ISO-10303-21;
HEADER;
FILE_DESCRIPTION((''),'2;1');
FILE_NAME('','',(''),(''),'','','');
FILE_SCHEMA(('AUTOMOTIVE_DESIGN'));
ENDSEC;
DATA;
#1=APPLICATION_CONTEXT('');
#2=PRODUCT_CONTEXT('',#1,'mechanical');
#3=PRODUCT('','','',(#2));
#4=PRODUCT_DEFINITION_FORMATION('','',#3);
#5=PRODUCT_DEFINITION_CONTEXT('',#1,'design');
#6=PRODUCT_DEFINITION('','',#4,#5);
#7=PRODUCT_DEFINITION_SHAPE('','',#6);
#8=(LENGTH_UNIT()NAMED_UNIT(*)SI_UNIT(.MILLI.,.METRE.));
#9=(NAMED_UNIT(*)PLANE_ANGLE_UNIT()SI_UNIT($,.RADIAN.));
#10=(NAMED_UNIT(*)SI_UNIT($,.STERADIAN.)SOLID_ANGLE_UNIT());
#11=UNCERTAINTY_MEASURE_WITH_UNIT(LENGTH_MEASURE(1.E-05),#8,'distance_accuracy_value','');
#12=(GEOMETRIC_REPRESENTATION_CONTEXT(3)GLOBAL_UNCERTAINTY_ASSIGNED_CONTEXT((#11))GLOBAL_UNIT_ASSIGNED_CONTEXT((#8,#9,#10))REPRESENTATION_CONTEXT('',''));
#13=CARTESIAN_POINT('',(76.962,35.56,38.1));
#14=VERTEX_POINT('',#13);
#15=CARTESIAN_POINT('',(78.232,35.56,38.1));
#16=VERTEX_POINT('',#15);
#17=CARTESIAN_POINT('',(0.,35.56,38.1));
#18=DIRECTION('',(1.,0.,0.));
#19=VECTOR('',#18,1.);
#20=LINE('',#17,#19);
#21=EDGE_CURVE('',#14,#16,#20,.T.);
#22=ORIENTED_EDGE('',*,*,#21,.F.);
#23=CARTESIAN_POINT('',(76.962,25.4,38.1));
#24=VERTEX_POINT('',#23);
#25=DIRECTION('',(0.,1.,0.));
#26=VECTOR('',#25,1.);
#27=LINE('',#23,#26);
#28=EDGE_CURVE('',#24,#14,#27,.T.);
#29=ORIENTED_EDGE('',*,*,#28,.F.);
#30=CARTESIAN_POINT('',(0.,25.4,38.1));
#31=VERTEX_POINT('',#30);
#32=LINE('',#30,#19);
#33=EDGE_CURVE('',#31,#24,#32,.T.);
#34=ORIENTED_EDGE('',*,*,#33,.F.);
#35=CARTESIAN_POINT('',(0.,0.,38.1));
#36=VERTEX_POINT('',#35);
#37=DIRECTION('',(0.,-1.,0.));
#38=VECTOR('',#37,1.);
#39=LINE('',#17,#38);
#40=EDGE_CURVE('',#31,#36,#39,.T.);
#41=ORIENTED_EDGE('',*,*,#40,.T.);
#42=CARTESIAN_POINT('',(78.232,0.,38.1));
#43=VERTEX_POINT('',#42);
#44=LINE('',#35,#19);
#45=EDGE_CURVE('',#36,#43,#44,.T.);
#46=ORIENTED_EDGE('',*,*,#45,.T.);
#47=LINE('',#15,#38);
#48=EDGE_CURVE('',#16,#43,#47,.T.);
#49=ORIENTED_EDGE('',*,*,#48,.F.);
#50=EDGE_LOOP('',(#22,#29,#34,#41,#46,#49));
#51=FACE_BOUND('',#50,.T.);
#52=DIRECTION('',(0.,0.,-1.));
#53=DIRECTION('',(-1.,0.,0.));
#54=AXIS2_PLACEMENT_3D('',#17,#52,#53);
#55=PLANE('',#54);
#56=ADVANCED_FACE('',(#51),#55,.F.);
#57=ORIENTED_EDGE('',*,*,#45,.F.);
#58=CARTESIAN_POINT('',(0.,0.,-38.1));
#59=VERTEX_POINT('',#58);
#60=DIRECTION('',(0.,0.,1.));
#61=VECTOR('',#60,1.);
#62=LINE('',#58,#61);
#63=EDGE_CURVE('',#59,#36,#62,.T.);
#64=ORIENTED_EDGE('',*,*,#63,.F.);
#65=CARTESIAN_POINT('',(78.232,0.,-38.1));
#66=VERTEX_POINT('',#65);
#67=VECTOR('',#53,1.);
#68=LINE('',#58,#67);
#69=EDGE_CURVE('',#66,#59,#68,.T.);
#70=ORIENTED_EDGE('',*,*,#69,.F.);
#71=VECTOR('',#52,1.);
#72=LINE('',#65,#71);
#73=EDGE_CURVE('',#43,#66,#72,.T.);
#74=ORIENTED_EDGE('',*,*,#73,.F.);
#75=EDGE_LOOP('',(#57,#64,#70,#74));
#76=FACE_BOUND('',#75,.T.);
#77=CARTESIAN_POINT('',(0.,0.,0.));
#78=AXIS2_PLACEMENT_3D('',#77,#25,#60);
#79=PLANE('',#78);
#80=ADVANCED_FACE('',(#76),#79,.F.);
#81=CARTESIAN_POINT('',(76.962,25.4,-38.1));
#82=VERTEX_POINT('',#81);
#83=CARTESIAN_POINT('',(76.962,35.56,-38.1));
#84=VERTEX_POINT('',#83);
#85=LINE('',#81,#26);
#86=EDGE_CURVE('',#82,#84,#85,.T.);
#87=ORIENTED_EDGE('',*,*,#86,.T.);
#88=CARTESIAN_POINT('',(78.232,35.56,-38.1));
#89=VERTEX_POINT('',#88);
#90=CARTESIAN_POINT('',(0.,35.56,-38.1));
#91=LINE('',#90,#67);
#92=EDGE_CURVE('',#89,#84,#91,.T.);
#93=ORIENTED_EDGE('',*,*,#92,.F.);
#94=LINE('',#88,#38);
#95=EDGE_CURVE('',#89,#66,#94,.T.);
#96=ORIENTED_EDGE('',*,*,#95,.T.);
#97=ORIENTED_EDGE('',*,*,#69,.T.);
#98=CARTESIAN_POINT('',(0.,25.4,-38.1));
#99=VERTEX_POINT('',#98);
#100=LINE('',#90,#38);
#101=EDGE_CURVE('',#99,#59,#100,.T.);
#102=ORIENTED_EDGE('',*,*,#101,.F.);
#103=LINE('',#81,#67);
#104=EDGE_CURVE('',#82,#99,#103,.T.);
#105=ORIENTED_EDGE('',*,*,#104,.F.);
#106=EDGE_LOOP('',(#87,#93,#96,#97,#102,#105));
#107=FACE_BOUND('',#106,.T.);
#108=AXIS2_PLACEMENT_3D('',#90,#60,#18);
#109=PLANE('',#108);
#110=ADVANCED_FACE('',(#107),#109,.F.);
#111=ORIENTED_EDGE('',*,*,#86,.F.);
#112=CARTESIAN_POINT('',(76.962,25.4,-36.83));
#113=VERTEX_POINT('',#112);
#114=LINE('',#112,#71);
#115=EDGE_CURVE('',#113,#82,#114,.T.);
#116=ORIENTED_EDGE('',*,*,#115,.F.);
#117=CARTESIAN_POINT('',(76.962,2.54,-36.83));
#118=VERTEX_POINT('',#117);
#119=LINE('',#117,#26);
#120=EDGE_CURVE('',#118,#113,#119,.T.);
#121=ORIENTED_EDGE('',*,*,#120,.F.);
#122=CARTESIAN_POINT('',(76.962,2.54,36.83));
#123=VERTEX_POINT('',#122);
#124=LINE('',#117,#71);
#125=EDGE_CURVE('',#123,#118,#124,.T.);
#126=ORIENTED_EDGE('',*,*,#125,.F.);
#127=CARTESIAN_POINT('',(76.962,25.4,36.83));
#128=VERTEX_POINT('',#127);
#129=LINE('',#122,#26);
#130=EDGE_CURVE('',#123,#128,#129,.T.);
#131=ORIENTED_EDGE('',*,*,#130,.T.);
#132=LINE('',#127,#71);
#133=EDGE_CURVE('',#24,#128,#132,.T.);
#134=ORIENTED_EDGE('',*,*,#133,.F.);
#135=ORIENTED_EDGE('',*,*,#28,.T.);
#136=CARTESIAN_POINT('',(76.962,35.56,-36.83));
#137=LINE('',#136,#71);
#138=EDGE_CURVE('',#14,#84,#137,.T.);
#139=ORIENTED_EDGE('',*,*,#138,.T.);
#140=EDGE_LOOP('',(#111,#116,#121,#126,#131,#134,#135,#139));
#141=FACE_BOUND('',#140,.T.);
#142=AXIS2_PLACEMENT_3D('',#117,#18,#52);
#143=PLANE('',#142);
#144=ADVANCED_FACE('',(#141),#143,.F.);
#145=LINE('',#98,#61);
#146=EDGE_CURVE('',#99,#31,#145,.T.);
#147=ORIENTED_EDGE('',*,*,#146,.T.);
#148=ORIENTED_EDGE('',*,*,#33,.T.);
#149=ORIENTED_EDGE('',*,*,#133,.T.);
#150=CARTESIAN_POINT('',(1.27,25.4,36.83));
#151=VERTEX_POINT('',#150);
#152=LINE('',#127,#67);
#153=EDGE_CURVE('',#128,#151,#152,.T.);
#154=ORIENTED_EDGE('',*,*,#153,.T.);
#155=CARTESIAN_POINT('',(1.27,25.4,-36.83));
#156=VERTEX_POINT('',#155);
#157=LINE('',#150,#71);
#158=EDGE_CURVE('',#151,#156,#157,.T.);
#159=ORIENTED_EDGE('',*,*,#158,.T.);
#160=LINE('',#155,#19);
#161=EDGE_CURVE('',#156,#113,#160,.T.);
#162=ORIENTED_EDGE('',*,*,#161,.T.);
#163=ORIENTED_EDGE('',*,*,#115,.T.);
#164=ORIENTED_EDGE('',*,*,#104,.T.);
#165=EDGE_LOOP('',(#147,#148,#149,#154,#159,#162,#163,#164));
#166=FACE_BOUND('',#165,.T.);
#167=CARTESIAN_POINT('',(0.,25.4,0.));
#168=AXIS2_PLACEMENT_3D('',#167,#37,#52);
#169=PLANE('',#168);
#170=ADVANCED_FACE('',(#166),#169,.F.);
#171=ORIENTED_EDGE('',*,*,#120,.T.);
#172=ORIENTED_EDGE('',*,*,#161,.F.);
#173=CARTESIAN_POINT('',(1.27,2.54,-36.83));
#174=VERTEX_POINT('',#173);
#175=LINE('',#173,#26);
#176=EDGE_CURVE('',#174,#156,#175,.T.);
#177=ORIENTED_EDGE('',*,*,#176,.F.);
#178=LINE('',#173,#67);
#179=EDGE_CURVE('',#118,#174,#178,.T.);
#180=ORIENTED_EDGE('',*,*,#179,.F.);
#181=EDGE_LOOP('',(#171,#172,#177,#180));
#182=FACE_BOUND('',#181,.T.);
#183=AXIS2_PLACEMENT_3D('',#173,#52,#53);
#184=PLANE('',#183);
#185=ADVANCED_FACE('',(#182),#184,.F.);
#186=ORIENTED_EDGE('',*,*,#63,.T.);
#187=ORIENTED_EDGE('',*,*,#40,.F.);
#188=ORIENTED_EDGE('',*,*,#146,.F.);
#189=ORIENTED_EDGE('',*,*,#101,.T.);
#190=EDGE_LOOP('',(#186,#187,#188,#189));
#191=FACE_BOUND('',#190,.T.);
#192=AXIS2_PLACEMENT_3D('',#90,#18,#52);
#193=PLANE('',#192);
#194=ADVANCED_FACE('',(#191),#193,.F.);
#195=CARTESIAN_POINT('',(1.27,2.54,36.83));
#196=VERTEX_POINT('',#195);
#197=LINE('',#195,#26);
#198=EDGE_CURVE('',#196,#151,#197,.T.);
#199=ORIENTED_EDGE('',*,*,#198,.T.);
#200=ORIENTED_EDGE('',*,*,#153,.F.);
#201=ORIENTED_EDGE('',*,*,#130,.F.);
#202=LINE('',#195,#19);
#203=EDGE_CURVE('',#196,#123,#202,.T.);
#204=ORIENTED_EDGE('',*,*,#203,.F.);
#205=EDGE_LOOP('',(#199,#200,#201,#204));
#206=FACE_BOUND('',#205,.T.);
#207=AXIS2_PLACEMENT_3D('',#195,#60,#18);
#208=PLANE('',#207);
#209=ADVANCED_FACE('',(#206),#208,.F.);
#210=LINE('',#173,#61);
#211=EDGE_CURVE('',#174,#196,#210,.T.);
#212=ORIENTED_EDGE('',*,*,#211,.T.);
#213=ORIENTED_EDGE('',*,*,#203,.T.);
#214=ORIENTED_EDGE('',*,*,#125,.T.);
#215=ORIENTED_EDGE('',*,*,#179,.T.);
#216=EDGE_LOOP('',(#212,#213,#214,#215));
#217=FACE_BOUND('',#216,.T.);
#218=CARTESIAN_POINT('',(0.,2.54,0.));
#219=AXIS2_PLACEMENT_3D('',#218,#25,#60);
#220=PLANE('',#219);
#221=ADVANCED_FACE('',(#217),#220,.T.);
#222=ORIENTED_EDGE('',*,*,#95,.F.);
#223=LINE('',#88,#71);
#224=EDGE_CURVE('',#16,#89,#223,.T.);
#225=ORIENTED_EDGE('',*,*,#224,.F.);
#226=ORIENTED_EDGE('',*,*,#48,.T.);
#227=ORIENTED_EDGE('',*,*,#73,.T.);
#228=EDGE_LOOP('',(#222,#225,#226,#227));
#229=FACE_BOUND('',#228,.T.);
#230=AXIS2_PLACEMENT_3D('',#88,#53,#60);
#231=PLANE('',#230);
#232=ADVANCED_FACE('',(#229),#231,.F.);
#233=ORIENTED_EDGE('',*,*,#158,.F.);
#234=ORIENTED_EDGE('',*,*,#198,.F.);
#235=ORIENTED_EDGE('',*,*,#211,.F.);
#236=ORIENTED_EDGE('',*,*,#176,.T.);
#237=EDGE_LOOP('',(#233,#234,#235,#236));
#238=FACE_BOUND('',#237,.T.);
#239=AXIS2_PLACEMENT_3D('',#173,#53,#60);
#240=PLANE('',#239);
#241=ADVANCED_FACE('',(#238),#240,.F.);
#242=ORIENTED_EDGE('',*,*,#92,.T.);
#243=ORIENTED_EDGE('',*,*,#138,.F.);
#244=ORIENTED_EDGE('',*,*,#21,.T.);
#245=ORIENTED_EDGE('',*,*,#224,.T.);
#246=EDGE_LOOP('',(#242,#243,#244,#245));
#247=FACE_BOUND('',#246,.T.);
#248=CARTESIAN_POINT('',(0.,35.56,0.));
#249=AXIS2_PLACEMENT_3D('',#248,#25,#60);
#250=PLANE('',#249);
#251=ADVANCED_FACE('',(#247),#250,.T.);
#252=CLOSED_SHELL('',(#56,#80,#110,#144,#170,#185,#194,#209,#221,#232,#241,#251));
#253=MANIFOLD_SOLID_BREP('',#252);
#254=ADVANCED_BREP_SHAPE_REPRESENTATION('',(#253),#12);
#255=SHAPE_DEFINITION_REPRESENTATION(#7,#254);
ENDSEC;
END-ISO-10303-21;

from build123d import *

# Parameters (mm, degrees)
SKETCH1_W           = 78.232
SKETCH1_H           = 76.2
BOSS_EXTRUDE1_DEPTH = 35.56
SKETCH2_W           = 75.692
SKETCH2_H           = 73.66
CUT_EXTRUDE1_DEPTH  = 33.02
CUT_EXTRUDE3_DEPTH  = 10.16


with BuildPart() as part:
    # Sketch1 → Boss-Extrude1 (new body)
    with BuildSketch(Plane(origin=(0, 0, 0), x_dir=(1, 0, 0), z_dir=(0, 1, 0))):
        with Locations((39.116, 0)):
            Rectangle(SKETCH1_W, SKETCH1_H)
    extrude(amount=BOSS_EXTRUDE1_DEPTH)

    # Sketch2 → Cut-Extrude1 (cut)
    with BuildSketch(Plane(origin=(0, 35.56, 0), x_dir=(1, 0, 0), z_dir=(0, 1, 0))):
        with Locations((39.116, 0)):
            Rectangle(SKETCH2_W, SKETCH2_H)
    extrude(amount=-CUT_EXTRUDE1_DEPTH, mode=Mode.SUBTRACT)

    # Sketch11 → Cut-Extrude3 (cut)
    with BuildSketch(Plane(origin=(0, 35.56, 0), x_dir=(1, 0, 0), z_dir=(0, 1, 0))):
        Polygon((76.962, -36.83), (76.962, -38.1), (0, -38.1), (0, 38.1), (76.962, 38.1), (76.962, 36.83), (1.27, 36.83), (1.27, -36.83), align=None)
    extrude(amount=-CUT_EXTRUDE3_DEPTH, mode=Mode.SUBTRACT)


solid = part.part
